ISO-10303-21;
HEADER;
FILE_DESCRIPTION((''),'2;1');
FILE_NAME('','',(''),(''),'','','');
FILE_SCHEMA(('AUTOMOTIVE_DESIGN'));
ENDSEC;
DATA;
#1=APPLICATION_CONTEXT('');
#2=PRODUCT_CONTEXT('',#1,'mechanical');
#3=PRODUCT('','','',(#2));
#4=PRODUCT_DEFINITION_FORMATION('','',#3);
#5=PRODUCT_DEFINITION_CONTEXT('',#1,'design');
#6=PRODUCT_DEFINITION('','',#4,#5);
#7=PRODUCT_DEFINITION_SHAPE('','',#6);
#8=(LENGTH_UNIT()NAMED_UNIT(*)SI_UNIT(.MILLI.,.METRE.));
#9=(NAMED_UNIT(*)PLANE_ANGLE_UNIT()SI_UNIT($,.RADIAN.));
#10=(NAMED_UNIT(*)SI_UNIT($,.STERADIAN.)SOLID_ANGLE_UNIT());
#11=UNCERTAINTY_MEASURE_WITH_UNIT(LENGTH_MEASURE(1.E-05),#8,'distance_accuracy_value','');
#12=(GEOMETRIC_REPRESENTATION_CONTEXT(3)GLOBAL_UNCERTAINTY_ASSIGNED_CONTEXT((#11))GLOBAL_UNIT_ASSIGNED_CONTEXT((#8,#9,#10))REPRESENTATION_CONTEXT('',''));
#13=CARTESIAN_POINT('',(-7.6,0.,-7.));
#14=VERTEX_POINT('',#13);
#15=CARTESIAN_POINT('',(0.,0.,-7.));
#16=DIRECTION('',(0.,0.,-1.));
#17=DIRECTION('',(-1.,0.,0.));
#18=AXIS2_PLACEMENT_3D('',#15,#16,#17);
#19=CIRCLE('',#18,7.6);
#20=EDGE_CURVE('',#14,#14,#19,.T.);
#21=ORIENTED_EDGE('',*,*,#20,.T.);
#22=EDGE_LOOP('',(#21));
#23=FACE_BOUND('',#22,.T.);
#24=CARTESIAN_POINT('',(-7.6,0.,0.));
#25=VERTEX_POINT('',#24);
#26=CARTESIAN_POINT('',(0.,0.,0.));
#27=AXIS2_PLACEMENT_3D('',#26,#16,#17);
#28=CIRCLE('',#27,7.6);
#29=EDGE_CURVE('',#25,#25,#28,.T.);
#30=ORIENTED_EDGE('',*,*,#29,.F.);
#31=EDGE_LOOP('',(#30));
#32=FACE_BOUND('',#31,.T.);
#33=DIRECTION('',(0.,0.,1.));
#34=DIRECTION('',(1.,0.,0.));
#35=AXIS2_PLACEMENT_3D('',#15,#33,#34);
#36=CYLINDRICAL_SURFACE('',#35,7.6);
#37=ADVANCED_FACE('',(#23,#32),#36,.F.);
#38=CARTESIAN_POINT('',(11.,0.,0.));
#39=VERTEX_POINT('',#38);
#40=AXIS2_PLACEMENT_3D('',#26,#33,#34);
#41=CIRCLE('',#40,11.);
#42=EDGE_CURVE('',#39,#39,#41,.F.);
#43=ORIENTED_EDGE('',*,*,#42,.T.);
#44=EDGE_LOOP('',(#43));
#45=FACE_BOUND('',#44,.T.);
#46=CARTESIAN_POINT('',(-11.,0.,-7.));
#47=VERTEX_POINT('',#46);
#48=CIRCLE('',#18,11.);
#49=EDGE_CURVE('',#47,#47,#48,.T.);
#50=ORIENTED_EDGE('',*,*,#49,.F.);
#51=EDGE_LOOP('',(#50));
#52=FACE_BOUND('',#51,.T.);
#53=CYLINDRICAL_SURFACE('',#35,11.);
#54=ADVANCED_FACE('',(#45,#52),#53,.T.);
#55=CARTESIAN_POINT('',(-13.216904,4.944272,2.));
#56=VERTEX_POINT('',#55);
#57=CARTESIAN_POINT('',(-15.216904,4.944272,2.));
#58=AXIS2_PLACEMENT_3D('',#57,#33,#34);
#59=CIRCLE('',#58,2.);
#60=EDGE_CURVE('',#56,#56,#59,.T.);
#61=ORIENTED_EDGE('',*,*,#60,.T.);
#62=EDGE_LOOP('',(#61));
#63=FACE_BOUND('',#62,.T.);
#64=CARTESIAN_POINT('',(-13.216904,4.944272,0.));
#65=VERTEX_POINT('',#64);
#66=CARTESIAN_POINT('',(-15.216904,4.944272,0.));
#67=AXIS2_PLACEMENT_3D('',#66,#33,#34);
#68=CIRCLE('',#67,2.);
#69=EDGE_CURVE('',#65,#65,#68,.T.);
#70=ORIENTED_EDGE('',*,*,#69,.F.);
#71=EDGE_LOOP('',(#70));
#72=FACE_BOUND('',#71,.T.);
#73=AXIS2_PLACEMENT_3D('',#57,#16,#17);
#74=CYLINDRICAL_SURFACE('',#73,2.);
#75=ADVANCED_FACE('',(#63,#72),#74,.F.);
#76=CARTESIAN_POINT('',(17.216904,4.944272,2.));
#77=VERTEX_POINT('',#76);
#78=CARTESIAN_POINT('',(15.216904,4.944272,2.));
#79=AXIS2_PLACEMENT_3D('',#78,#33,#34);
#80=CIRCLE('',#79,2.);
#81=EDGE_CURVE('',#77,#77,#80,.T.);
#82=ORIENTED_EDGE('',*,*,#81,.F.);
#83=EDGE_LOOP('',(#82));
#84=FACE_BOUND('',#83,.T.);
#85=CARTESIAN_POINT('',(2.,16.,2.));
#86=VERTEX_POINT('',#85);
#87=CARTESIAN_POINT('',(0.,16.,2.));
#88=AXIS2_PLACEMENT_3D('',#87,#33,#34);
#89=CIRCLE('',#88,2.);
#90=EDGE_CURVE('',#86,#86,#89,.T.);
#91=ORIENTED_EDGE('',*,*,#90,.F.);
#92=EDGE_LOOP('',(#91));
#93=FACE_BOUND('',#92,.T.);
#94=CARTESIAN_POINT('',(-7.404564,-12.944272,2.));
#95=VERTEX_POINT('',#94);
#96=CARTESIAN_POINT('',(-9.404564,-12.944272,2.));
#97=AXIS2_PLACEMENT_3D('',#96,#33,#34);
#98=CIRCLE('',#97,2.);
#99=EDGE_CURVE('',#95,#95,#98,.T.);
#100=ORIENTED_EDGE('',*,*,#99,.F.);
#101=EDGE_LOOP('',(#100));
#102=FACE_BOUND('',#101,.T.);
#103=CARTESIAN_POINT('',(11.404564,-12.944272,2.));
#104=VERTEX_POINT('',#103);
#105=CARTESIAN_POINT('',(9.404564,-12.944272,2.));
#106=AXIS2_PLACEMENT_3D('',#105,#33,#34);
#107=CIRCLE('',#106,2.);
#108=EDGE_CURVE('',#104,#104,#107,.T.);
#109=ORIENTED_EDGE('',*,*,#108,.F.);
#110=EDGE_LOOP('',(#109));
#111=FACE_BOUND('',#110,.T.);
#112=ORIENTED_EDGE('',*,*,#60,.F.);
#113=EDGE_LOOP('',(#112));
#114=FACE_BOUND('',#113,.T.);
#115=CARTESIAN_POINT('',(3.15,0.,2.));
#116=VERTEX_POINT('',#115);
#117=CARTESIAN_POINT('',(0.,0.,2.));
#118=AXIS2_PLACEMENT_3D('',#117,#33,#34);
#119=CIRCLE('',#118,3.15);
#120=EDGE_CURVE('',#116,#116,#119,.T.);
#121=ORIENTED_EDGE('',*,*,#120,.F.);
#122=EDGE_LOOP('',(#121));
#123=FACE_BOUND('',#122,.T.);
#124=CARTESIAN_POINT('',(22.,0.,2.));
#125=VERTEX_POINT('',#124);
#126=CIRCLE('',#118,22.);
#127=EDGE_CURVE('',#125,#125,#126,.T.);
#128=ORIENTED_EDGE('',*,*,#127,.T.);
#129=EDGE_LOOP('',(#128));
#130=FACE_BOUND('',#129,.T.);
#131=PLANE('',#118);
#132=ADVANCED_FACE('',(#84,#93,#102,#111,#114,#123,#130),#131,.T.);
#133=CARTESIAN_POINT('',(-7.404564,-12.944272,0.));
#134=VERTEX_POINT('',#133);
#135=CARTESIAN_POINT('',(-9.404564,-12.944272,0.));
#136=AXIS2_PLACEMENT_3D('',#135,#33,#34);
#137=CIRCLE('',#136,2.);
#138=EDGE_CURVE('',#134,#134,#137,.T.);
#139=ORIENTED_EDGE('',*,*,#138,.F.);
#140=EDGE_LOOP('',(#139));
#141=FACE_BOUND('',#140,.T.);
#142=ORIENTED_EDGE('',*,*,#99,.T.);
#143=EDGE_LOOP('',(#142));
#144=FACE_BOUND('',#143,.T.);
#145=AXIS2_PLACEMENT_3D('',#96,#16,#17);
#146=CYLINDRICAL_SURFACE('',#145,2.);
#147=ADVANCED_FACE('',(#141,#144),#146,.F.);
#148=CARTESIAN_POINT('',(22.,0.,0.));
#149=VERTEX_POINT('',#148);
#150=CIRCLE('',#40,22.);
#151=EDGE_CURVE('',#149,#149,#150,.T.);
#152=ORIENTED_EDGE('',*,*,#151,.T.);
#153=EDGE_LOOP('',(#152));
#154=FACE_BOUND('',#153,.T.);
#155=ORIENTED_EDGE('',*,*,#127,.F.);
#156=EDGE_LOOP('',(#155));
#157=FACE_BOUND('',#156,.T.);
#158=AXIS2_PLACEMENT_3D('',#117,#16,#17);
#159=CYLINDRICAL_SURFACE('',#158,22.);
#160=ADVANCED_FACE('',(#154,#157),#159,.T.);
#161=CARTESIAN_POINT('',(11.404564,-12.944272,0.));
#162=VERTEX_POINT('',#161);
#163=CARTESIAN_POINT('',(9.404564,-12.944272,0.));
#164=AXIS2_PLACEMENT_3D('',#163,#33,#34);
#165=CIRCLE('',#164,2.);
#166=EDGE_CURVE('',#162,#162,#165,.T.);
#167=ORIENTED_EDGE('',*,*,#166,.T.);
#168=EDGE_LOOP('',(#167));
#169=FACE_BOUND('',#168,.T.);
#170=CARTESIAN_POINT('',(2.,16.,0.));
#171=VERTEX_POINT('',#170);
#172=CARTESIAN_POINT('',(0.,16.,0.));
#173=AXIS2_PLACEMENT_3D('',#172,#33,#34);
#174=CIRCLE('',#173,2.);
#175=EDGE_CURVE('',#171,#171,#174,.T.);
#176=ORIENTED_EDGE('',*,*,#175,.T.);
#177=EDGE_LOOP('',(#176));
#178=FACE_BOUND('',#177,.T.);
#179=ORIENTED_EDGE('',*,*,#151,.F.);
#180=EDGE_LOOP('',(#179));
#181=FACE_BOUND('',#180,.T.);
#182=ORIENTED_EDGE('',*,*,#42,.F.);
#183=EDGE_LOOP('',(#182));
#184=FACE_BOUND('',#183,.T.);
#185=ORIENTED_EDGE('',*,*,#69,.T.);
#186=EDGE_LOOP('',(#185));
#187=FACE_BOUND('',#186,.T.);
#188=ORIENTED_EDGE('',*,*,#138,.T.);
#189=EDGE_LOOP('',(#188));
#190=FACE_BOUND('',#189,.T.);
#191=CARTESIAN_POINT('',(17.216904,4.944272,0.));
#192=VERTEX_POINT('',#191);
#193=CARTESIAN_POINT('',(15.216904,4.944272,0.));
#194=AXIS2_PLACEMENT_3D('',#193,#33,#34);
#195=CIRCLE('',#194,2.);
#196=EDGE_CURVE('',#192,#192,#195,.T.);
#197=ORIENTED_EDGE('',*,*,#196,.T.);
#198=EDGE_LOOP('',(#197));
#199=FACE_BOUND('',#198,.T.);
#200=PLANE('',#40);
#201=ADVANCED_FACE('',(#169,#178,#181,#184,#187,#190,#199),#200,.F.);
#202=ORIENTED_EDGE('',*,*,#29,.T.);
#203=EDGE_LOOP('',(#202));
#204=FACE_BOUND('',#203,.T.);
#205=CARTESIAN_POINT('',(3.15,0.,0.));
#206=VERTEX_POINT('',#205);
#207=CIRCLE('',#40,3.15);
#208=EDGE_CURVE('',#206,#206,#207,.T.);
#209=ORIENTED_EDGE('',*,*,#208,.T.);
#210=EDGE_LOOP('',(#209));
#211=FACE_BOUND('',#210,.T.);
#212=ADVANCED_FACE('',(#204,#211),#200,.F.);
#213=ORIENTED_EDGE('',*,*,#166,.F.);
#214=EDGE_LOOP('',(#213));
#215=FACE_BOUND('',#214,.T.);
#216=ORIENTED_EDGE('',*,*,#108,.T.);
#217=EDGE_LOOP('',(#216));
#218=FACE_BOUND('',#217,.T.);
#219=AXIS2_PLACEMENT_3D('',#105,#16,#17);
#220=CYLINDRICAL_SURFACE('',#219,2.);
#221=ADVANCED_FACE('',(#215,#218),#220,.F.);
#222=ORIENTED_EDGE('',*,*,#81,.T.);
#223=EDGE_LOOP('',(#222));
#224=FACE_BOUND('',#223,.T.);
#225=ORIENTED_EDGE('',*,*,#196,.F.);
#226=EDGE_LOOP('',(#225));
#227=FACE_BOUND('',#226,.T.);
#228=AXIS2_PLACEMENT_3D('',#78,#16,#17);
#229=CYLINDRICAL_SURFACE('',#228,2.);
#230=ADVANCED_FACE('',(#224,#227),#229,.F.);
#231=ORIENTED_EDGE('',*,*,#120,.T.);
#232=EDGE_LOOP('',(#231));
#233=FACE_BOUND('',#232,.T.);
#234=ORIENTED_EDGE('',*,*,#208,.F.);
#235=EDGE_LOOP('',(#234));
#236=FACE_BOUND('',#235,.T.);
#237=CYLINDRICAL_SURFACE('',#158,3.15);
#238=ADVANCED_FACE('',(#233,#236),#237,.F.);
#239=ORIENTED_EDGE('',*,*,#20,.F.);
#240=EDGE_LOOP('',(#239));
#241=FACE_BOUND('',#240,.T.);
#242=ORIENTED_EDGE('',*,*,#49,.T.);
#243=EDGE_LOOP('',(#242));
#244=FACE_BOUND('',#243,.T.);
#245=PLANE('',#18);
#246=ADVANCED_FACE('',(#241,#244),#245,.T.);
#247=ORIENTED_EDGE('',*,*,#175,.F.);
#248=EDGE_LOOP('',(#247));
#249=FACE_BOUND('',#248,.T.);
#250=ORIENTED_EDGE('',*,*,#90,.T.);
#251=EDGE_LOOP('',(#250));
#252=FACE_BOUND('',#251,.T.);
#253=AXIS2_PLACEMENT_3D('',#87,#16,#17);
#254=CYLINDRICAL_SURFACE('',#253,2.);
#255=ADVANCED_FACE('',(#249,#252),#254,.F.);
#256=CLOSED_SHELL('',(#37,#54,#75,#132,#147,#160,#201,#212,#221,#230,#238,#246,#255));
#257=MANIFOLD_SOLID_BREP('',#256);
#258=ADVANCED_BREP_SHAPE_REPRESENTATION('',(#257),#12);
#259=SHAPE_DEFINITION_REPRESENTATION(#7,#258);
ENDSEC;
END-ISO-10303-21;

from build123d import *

# Parameters (mm, degrees)
SKETCH_1_R      = 22
SKETCH_1_R_2    = 3.15
SKETCH_1_R_3    = 2
EXTRUDE_1_DEPTH = 2
SKETCH_3_R      = 11
SKETCH_3_R_2    = 7.6
EXTRUDE_2_DEPTH = 7


with BuildPart() as part:
    # 草图1 → 凸台-拉伸1 (new body)
    with BuildSketch(Plane.XY):
        Circle(SKETCH_1_R)
        Circle(SKETCH_1_R_2, mode=Mode.SUBTRACT)
        with Locations((0, 16)):
            Circle(SKETCH_1_R_3, mode=Mode.SUBTRACT)
        with Locations((15.216904261, 4.94427191)):
            Circle(SKETCH_1_R_3, mode=Mode.SUBTRACT)
        with Locations((9.404564037, -12.94427191)):
            Circle(SKETCH_1_R_3, mode=Mode.SUBTRACT)
        with Locations((-9.404564037, -12.94427191)):
            Circle(SKETCH_1_R_3, mode=Mode.SUBTRACT)
        with Locations((-15.216904261, 4.94427191)):
            Circle(SKETCH_1_R_3, mode=Mode.SUBTRACT)
    extrude(amount=EXTRUDE_1_DEPTH)

    # 草图3 → 凸台-拉伸2 (add)
    with BuildSketch(Plane(origin=(0, 0, 0), x_dir=(-1, 0, 0), z_dir=(0, 0, -1))):
        with Locations(Location((0, 0, 0), (0, 0, 180))):
            Circle(SKETCH_3_R)
        Circle(SKETCH_3_R_2, mode=Mode.SUBTRACT)
    extrude(amount=EXTRUDE_2_DEPTH)


solid = part.part
